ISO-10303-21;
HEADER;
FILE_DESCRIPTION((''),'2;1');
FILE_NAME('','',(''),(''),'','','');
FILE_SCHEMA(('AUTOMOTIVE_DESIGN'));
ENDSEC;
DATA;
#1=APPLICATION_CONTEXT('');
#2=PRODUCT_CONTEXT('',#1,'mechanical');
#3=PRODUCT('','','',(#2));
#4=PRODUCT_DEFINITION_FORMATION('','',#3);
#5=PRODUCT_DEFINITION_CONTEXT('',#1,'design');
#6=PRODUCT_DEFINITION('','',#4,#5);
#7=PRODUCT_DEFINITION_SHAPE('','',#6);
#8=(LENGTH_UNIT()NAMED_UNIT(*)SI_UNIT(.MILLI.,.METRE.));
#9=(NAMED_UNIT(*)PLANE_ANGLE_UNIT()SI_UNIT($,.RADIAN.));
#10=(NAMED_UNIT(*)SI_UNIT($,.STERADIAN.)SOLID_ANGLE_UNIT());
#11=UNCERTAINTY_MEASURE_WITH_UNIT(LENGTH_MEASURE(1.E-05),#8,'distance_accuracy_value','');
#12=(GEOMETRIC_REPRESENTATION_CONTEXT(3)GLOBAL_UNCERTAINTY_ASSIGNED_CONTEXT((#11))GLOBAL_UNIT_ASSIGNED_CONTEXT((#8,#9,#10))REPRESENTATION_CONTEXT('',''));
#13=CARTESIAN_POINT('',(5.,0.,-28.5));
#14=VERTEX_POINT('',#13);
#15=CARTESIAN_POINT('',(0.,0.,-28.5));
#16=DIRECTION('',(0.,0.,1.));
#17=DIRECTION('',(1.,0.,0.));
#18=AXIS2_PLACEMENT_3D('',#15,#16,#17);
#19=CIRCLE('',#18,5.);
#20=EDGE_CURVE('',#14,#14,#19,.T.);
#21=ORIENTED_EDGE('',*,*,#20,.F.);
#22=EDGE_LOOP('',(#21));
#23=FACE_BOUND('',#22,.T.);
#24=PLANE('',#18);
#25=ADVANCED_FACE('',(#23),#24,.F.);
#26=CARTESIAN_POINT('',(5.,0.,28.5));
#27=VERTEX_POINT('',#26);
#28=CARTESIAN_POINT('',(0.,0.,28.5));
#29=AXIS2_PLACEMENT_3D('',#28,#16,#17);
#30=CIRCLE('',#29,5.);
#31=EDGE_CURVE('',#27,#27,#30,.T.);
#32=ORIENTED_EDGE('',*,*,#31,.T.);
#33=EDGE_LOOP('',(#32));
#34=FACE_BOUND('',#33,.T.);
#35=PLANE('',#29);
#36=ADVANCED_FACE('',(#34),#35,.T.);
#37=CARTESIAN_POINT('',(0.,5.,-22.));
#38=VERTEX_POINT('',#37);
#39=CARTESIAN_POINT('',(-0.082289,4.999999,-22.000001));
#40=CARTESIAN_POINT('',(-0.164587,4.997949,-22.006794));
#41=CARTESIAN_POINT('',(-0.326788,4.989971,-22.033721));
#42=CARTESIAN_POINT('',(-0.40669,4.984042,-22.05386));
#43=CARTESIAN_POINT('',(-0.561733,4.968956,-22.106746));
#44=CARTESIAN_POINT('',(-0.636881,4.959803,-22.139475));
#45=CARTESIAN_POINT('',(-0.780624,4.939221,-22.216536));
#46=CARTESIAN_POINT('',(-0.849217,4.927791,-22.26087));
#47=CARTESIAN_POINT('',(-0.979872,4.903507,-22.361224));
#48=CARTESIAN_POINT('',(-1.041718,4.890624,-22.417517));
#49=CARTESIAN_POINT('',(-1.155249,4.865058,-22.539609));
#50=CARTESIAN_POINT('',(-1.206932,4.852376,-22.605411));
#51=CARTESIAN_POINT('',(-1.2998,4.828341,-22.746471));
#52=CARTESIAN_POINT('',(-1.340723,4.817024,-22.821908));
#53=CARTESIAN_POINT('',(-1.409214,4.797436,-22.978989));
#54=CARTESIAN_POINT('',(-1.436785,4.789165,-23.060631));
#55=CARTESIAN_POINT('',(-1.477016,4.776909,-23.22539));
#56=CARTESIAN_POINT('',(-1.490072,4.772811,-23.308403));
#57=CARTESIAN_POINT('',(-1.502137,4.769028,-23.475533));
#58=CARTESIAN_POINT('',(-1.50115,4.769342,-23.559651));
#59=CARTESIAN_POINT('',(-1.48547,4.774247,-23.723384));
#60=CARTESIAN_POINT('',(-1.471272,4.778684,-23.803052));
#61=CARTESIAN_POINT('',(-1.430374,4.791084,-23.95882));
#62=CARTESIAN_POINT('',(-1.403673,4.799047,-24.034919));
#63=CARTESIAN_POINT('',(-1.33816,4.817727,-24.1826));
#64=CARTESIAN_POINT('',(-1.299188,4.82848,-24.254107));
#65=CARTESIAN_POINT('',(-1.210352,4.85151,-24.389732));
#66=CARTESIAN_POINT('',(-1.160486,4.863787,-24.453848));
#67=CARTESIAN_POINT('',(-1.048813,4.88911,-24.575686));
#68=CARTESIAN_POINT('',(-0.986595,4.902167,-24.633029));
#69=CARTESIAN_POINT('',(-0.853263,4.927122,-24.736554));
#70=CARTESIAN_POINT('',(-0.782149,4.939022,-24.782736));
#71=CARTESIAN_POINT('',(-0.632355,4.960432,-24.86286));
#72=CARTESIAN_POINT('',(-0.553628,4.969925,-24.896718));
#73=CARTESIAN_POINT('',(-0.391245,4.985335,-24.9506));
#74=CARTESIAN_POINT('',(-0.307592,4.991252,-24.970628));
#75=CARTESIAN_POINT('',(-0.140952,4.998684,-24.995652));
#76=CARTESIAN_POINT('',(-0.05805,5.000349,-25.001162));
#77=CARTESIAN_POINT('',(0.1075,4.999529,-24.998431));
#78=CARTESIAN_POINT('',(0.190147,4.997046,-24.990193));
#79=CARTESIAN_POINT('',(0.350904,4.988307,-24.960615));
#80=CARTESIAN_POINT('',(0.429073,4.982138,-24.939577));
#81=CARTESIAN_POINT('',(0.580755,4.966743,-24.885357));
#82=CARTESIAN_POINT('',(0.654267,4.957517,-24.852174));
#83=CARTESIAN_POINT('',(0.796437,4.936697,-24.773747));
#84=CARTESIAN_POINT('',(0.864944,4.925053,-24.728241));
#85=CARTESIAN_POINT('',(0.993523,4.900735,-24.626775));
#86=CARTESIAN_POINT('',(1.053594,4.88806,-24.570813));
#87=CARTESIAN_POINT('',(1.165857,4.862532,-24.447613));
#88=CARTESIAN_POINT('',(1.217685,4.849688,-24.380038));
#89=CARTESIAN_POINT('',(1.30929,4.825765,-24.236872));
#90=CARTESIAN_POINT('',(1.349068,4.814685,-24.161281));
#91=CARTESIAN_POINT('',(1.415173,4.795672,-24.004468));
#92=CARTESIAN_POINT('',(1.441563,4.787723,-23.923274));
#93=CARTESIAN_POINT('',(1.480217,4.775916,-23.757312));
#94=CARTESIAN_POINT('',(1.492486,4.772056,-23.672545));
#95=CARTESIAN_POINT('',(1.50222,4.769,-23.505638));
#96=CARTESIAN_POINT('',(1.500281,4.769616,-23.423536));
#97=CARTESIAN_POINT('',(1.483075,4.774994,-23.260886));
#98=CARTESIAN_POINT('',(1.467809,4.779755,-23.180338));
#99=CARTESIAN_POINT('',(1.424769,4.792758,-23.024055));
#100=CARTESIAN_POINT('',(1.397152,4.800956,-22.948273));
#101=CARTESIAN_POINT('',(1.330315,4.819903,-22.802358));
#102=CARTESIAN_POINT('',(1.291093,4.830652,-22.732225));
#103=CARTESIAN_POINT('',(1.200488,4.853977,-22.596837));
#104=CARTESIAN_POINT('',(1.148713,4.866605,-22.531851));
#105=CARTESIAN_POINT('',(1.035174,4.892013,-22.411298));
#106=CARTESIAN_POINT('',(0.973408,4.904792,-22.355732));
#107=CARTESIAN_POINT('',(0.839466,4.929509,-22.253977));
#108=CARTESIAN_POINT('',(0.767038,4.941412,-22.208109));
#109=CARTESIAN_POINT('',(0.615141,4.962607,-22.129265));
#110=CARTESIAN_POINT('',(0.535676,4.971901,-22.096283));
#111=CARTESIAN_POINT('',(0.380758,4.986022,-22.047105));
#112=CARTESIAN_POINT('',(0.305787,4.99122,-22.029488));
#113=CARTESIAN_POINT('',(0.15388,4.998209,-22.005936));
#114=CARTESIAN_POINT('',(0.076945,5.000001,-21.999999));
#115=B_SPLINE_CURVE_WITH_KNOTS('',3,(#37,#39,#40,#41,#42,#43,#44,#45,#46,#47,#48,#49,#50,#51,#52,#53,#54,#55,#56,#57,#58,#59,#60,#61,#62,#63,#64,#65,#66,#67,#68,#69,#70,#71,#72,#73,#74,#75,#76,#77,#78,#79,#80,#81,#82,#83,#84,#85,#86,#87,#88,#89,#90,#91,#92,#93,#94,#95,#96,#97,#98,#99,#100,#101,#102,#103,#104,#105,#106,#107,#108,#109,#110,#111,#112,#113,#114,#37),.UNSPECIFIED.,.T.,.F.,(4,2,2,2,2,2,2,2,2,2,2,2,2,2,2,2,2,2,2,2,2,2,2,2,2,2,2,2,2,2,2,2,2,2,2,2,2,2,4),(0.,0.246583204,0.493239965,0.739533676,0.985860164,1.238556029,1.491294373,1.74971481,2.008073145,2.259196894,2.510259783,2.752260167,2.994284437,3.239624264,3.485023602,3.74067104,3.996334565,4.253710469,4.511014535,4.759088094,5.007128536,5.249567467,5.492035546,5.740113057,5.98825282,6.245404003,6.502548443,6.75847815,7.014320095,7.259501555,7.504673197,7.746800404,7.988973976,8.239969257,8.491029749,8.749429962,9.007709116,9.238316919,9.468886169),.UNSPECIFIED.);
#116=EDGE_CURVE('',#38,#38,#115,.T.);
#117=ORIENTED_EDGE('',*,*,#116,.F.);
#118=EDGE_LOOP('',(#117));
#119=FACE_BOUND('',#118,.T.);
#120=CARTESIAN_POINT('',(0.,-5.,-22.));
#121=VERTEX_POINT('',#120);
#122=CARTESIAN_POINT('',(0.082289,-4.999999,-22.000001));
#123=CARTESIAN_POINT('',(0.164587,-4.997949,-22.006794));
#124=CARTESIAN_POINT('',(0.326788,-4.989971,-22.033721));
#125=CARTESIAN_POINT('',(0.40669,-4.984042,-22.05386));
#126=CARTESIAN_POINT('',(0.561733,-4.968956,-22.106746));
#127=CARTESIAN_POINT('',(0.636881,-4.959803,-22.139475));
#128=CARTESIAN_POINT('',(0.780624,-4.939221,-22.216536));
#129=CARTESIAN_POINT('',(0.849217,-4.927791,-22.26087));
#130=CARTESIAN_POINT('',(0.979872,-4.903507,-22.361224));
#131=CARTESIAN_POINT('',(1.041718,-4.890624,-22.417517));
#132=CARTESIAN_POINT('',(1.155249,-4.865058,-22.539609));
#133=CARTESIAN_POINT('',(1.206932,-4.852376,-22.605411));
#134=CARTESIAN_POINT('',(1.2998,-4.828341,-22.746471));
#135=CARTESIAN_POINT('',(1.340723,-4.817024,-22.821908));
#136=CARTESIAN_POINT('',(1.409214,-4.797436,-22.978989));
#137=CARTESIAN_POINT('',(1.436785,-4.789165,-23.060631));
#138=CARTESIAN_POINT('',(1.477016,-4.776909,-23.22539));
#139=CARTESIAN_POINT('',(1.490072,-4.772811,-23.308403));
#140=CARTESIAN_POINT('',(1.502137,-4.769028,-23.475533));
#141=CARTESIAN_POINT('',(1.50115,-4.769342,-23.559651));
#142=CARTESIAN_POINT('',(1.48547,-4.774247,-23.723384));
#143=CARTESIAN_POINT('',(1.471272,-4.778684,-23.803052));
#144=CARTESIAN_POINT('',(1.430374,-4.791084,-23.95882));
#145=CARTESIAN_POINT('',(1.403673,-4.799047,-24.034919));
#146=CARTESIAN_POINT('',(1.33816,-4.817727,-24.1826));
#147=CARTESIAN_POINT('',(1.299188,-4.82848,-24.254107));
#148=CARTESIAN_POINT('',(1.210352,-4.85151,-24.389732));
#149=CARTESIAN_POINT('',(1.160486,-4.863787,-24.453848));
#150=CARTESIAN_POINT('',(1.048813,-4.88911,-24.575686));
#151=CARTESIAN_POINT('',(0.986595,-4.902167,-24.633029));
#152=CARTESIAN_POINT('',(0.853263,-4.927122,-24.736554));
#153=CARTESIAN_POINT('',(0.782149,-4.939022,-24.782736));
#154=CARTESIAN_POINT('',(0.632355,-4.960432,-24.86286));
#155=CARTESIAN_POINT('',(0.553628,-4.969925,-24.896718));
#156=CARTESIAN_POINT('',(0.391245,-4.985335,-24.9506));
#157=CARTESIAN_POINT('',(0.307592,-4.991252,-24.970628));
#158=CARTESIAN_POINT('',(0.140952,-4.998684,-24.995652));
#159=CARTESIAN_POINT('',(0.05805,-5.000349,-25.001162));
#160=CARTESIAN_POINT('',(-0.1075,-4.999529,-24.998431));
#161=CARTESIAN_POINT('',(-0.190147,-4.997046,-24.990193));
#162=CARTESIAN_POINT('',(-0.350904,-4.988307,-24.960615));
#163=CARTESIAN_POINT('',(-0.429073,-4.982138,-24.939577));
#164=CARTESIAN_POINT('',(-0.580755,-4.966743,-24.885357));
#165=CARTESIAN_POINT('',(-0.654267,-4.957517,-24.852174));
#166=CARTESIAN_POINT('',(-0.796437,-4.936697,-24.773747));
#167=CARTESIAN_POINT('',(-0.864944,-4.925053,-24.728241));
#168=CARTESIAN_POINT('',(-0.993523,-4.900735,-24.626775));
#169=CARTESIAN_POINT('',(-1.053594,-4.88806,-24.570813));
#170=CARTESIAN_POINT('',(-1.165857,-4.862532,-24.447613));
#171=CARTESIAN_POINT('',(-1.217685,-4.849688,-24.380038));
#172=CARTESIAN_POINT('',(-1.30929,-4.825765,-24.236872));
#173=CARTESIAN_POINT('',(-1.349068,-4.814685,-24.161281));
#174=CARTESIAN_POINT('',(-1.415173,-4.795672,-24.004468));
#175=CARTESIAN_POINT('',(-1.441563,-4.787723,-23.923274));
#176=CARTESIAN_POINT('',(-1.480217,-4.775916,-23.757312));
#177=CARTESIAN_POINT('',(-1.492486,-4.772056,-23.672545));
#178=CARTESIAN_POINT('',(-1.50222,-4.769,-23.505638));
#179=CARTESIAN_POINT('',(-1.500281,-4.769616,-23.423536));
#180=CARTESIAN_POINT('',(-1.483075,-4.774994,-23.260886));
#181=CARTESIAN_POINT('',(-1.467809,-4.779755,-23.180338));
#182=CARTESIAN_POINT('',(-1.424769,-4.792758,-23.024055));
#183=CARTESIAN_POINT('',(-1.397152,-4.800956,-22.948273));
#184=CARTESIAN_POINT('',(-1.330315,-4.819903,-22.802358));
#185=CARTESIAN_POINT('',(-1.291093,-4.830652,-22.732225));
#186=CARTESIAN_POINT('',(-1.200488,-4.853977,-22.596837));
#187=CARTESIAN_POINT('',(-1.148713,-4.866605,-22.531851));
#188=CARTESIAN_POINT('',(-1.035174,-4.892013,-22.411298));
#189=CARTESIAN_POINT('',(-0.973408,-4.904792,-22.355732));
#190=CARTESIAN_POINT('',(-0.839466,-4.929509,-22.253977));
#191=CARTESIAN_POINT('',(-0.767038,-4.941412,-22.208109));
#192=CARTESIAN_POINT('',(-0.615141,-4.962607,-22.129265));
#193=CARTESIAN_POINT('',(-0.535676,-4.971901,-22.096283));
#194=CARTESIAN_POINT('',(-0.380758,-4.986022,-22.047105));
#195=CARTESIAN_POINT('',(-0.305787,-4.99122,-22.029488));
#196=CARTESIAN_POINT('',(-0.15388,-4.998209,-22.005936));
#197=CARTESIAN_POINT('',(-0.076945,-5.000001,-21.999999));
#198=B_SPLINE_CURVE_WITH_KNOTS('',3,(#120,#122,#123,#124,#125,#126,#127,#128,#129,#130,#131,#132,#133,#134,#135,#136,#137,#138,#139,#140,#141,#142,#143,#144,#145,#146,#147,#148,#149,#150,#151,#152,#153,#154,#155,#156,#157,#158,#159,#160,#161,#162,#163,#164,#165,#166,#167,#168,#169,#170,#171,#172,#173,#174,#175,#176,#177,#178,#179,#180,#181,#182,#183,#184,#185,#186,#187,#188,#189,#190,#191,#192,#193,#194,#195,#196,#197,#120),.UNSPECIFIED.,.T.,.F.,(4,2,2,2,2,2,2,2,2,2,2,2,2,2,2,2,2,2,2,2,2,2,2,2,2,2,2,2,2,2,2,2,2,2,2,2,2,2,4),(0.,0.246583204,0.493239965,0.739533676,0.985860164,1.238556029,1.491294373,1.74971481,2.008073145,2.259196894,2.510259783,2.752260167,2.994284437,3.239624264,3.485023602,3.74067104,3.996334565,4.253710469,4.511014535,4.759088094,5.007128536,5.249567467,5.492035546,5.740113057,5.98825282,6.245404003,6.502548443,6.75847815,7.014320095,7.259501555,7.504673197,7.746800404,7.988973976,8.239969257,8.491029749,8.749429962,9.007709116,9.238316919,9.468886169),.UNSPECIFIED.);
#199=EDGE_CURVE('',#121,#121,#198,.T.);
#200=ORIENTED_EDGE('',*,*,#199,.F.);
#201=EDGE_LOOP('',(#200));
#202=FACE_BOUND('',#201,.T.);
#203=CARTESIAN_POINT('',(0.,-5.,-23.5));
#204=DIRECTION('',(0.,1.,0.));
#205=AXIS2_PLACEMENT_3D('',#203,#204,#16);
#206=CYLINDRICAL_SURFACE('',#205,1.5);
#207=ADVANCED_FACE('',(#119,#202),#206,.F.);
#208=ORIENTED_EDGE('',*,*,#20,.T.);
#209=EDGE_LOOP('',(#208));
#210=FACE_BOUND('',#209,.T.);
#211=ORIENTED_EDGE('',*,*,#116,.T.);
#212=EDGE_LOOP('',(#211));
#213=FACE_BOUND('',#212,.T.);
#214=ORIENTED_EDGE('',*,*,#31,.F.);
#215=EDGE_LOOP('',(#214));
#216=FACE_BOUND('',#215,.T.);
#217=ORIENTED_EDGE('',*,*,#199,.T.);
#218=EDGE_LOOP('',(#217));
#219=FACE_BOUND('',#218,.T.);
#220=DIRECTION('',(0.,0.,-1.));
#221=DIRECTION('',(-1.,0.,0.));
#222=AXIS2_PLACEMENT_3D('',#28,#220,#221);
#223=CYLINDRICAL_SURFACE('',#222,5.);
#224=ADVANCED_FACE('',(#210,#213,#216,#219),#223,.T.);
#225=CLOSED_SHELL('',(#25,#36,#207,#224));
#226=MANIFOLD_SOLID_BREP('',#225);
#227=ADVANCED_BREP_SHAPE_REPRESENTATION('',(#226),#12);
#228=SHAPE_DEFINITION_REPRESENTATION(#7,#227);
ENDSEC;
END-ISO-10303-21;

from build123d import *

# Parameters (mm, degrees)
SKETCH2_R               = 5
BOSS_EXTRUDE1_DEPTH     = 28.5
CUT_EXTRUDE1_DEPTH      = 30.36409372
CUT_EXTRUDE1_DEPTH_BACK = 30.36409372
SKETCH3_R               = 1.5


with BuildPart() as part:
    # Sketch2 → Boss-Extrude1 (new, symmetric)
    with BuildSketch(Plane.XY):
        with Locations(Location((0, 0, 0), (0, 0, 180))):
            Circle(SKETCH2_R)
    extrude(amount=BOSS_EXTRUDE1_DEPTH, both=True)

    # Sketch3 → Cut-Extrude1 (cut, two sides: drawn at the far end of the back side and taken through both)
    with BuildSketch(Plane(origin=(0, 0, 0), x_dir=(1, 0, 0), z_dir=(0, 1, 0)).offset(-CUT_EXTRUDE1_DEPTH_BACK)):
        with Locations(Location((0, 23.5, 0), (0, 0, 270))):
            Circle(SKETCH3_R)
    extrude(amount=CUT_EXTRUDE1_DEPTH + CUT_EXTRUDE1_DEPTH_BACK, mode=Mode.SUBTRACT)


solid = part.part
